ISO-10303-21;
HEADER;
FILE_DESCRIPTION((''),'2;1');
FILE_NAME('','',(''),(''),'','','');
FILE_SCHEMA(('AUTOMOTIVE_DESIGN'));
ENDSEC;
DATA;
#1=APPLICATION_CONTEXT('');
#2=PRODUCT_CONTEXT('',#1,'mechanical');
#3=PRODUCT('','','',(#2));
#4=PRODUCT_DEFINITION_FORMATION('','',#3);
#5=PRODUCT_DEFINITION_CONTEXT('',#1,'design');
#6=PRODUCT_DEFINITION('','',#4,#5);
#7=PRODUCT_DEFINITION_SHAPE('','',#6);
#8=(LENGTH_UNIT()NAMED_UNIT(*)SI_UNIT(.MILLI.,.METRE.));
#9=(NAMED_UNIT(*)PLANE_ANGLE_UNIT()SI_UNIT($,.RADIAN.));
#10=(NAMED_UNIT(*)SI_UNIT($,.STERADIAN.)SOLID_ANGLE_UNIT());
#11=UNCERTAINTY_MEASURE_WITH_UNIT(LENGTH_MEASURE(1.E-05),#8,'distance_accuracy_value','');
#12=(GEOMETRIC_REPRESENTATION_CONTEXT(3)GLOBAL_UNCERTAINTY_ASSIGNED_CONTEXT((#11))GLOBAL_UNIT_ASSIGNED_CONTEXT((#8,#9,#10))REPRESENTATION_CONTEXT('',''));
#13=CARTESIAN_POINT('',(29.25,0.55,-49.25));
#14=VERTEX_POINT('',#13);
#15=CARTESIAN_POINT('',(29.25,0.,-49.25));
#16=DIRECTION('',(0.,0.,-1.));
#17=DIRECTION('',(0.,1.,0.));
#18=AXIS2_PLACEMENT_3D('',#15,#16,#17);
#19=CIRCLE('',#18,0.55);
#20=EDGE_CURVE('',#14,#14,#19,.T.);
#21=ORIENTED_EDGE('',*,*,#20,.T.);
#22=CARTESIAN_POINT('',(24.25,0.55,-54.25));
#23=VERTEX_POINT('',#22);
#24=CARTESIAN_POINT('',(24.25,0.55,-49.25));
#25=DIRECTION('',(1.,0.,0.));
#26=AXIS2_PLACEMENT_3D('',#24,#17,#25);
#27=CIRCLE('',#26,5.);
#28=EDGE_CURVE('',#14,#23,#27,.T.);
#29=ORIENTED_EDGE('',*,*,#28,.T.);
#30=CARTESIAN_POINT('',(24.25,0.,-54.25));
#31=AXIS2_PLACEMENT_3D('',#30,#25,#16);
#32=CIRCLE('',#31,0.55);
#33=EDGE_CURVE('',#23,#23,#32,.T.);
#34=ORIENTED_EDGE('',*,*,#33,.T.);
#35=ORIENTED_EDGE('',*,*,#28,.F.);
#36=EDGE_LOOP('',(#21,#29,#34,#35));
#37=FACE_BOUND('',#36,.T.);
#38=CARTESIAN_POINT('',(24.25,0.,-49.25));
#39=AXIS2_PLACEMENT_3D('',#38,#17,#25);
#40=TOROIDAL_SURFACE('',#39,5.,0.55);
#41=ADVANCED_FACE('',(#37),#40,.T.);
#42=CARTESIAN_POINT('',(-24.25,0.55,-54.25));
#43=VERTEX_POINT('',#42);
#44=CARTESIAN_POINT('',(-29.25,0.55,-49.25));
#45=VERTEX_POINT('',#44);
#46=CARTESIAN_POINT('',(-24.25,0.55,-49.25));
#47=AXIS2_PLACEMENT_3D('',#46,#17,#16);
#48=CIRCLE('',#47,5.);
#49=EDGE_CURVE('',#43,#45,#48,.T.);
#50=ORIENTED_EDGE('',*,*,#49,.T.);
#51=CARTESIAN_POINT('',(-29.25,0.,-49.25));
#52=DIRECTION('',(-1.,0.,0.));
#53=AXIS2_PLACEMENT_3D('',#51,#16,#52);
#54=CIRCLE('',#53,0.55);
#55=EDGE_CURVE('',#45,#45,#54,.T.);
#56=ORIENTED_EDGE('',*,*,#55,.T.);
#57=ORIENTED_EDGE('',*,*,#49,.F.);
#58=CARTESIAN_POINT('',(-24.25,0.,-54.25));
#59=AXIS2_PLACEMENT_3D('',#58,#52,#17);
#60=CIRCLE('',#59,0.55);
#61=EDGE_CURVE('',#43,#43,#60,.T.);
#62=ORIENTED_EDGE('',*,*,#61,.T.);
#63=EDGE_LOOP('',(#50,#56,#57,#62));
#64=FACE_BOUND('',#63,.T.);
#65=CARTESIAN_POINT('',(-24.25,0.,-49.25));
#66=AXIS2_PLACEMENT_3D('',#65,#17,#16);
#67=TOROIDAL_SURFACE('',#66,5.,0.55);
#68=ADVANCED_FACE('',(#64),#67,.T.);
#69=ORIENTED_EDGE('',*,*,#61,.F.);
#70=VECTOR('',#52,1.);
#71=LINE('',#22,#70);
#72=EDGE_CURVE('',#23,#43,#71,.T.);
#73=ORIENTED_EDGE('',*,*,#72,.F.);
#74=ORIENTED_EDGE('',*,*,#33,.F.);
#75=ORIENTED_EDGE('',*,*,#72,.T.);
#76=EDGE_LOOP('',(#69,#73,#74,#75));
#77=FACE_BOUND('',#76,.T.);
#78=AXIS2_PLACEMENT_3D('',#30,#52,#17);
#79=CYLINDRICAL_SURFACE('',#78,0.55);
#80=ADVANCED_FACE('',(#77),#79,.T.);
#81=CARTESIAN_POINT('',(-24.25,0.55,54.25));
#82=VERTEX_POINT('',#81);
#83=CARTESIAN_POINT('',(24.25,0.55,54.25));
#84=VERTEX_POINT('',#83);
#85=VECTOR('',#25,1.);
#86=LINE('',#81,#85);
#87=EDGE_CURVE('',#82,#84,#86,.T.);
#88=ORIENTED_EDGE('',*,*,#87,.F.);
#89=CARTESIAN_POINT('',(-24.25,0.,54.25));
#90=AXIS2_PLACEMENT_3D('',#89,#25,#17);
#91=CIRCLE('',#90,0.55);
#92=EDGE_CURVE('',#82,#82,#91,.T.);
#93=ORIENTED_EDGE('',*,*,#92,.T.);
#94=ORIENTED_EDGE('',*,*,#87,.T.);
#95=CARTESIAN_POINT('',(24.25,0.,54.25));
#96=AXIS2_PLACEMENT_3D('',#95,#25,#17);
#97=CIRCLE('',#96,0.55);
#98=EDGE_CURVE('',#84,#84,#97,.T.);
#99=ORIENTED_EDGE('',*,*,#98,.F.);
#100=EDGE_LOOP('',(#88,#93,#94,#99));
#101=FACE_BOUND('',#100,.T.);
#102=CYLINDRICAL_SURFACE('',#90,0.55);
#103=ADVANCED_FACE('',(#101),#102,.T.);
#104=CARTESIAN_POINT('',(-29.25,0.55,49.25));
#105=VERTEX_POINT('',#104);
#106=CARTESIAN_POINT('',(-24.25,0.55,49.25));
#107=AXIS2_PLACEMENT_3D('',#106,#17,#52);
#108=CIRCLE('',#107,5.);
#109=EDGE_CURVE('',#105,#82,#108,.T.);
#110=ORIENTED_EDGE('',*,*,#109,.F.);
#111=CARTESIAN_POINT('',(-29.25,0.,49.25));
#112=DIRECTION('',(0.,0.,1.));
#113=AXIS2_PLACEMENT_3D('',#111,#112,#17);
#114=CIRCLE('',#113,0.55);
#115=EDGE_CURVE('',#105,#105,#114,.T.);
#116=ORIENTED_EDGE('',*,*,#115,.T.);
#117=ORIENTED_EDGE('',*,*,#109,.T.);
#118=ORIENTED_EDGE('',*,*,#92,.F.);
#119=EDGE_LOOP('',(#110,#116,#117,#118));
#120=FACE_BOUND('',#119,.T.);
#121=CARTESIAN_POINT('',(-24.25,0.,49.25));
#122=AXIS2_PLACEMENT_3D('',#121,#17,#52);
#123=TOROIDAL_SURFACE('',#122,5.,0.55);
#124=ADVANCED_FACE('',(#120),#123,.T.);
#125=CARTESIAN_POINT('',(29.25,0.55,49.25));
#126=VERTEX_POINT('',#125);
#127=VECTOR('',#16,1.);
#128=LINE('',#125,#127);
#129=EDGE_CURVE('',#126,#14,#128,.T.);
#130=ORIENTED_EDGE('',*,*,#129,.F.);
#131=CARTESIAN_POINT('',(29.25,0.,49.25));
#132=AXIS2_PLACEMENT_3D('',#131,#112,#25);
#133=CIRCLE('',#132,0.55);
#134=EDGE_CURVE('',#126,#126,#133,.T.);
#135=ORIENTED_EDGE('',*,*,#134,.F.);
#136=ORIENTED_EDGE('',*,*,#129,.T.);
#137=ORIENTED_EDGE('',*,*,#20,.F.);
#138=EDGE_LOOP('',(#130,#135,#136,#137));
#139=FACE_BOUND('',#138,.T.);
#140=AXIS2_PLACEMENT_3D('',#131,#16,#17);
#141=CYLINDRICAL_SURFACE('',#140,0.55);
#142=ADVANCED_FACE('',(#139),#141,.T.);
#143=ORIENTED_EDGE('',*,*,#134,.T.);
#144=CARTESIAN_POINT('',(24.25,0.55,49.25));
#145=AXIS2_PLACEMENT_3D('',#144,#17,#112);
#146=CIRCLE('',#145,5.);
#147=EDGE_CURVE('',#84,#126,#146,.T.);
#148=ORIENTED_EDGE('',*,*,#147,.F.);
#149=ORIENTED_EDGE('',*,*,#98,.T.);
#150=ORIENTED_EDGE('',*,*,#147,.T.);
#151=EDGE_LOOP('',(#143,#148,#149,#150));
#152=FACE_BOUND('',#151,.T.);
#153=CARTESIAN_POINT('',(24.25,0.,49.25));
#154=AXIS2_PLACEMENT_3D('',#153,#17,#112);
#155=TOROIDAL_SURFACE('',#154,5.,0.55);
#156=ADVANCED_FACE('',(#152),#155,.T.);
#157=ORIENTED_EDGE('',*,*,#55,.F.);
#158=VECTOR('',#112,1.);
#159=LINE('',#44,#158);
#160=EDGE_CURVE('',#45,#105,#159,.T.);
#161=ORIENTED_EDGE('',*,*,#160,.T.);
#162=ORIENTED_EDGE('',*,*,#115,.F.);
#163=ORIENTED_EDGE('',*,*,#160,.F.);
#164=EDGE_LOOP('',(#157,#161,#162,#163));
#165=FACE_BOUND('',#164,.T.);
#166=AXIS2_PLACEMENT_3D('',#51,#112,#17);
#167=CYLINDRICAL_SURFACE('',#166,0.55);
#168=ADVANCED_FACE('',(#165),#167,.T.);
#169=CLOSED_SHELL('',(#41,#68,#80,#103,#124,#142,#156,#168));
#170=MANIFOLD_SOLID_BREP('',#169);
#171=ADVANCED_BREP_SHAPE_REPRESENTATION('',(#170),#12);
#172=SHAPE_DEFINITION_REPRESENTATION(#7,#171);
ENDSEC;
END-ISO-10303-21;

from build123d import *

# Parameters (mm, degrees)
F2_R = 0.55


with BuildPart() as f3:
    # F3: sweep along a path in F0
    with BuildLine(Plane.XZ) as f3_path:
        Line((-24.25, 54.25), (24.25, 54.25))
        ThreePointArc((24.25, 54.25), (27.7855339059, 52.7855339059), (29.25, 49.25))
        Line((29.25, 49.25), (29.25, -49.25))
        ThreePointArc((29.25, -49.25), (27.7855339059, -52.7855339059), (24.25, -54.25))
        Line((24.25, -54.25), (-24.25, -54.25))
        ThreePointArc((-24.25, -54.25), (-27.7855339059, -52.7855339059), (-29.25, -49.25))
        Line((-29.25, -49.25), (-29.25, 49.25))
        ThreePointArc((-29.25, 49.25), (-27.7855339059, 52.7855339059), (-24.25, 54.25))
    # F2 (on plane+point) → F3 (sweep)
    with BuildSketch(Plane.YZ.offset(-24.25)):
        with Locations((0, 54.25)):
            Circle(F2_R)
    sweep(path=f3_path.line)


solid = f3.part
